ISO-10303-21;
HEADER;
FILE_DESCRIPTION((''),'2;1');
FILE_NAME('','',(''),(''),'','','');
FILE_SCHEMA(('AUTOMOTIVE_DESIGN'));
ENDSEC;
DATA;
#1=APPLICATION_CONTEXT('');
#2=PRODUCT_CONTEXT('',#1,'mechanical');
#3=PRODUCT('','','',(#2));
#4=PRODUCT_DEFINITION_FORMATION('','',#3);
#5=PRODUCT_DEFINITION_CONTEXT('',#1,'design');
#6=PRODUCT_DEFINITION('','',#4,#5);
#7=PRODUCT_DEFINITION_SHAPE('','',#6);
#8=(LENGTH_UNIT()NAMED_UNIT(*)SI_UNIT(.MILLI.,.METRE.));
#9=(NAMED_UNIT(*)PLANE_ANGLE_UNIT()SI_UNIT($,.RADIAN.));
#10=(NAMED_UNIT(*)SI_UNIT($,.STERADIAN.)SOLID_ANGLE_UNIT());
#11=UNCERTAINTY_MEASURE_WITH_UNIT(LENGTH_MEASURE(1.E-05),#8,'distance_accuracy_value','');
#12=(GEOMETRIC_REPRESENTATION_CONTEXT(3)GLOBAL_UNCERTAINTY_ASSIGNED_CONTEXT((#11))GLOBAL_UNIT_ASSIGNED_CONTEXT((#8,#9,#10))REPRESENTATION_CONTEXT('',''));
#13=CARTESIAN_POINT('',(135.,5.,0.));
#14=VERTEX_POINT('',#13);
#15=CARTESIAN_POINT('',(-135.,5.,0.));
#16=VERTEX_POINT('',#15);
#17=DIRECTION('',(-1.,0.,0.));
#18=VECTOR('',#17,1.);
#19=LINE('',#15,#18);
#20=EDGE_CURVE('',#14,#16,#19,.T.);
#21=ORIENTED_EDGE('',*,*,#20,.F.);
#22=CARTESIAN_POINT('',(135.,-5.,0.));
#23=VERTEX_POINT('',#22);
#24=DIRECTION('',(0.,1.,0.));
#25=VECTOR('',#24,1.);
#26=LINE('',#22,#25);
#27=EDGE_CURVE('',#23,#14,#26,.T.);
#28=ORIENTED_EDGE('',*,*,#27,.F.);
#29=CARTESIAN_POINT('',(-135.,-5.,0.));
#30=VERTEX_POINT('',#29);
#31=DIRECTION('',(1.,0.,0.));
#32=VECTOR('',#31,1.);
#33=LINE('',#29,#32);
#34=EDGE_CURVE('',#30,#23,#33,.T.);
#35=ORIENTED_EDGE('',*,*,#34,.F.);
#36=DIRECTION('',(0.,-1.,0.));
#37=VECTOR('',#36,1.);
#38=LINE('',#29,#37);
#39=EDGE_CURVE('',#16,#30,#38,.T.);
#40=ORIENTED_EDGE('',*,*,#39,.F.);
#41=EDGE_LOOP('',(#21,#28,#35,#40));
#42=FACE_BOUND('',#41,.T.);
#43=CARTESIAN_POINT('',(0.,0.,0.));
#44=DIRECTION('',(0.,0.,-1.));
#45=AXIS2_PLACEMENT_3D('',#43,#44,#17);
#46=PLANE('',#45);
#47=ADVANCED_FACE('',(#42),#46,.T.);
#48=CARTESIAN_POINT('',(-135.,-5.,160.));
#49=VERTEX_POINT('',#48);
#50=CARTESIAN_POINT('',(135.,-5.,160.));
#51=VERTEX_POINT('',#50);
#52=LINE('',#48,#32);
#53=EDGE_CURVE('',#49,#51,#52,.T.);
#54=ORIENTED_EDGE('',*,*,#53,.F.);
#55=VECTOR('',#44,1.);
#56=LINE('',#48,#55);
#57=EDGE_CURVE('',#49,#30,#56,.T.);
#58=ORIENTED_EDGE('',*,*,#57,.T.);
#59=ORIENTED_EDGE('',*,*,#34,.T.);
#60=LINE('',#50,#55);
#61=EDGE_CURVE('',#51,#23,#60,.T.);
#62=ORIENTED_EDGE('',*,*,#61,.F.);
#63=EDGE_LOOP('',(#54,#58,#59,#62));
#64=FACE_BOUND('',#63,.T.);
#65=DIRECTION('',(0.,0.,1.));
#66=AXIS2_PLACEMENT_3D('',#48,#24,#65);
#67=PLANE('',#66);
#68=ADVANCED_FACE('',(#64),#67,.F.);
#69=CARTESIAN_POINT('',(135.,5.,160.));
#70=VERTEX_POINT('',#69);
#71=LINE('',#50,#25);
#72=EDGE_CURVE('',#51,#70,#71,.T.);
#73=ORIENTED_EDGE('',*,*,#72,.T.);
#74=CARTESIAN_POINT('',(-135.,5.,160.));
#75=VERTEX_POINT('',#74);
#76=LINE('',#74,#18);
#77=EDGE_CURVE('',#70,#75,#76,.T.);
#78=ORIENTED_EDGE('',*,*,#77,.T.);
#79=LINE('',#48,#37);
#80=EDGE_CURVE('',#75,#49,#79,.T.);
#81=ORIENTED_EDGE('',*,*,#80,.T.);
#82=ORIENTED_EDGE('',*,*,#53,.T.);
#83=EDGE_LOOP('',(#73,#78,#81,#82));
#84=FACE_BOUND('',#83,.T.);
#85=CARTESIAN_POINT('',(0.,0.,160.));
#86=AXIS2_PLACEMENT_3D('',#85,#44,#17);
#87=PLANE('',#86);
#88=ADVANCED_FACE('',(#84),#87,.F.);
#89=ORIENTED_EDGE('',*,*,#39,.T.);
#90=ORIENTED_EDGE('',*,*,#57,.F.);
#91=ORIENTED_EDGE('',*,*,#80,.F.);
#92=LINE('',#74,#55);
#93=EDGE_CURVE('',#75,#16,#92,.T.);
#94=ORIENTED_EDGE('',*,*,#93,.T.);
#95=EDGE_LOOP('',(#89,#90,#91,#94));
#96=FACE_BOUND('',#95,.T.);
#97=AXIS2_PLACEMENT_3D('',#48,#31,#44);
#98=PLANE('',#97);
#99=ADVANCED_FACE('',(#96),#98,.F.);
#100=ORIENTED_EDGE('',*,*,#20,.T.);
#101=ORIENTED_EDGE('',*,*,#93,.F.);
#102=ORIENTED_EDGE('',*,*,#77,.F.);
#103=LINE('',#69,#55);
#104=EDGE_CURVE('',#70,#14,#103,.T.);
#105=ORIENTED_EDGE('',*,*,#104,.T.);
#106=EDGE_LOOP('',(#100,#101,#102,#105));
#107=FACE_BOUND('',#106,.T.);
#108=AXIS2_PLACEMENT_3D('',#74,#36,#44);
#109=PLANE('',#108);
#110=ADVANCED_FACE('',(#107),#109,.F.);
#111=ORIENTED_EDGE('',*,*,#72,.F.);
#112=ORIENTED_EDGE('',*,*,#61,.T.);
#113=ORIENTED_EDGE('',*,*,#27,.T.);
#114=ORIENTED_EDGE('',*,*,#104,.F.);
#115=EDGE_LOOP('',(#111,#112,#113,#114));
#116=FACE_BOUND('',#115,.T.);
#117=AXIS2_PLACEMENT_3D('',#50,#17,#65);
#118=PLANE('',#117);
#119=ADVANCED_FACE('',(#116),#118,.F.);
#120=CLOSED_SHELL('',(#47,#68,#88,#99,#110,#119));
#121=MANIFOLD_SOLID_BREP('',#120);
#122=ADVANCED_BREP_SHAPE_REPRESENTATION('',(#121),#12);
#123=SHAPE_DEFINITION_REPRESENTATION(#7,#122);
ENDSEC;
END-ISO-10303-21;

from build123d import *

# Parameters (mm, degrees)
SKETCH_1_W      = 270
SKETCH_1_H      = 10
EXTRUDE_1_DEPTH = 160


with BuildPart() as part:
    # 草图1 → 凸台-拉伸1 (new body)
    with BuildSketch(Plane.XY):
        Rectangle(SKETCH_1_W, SKETCH_1_H)
    extrude(amount=EXTRUDE_1_DEPTH)


solid = part.part
